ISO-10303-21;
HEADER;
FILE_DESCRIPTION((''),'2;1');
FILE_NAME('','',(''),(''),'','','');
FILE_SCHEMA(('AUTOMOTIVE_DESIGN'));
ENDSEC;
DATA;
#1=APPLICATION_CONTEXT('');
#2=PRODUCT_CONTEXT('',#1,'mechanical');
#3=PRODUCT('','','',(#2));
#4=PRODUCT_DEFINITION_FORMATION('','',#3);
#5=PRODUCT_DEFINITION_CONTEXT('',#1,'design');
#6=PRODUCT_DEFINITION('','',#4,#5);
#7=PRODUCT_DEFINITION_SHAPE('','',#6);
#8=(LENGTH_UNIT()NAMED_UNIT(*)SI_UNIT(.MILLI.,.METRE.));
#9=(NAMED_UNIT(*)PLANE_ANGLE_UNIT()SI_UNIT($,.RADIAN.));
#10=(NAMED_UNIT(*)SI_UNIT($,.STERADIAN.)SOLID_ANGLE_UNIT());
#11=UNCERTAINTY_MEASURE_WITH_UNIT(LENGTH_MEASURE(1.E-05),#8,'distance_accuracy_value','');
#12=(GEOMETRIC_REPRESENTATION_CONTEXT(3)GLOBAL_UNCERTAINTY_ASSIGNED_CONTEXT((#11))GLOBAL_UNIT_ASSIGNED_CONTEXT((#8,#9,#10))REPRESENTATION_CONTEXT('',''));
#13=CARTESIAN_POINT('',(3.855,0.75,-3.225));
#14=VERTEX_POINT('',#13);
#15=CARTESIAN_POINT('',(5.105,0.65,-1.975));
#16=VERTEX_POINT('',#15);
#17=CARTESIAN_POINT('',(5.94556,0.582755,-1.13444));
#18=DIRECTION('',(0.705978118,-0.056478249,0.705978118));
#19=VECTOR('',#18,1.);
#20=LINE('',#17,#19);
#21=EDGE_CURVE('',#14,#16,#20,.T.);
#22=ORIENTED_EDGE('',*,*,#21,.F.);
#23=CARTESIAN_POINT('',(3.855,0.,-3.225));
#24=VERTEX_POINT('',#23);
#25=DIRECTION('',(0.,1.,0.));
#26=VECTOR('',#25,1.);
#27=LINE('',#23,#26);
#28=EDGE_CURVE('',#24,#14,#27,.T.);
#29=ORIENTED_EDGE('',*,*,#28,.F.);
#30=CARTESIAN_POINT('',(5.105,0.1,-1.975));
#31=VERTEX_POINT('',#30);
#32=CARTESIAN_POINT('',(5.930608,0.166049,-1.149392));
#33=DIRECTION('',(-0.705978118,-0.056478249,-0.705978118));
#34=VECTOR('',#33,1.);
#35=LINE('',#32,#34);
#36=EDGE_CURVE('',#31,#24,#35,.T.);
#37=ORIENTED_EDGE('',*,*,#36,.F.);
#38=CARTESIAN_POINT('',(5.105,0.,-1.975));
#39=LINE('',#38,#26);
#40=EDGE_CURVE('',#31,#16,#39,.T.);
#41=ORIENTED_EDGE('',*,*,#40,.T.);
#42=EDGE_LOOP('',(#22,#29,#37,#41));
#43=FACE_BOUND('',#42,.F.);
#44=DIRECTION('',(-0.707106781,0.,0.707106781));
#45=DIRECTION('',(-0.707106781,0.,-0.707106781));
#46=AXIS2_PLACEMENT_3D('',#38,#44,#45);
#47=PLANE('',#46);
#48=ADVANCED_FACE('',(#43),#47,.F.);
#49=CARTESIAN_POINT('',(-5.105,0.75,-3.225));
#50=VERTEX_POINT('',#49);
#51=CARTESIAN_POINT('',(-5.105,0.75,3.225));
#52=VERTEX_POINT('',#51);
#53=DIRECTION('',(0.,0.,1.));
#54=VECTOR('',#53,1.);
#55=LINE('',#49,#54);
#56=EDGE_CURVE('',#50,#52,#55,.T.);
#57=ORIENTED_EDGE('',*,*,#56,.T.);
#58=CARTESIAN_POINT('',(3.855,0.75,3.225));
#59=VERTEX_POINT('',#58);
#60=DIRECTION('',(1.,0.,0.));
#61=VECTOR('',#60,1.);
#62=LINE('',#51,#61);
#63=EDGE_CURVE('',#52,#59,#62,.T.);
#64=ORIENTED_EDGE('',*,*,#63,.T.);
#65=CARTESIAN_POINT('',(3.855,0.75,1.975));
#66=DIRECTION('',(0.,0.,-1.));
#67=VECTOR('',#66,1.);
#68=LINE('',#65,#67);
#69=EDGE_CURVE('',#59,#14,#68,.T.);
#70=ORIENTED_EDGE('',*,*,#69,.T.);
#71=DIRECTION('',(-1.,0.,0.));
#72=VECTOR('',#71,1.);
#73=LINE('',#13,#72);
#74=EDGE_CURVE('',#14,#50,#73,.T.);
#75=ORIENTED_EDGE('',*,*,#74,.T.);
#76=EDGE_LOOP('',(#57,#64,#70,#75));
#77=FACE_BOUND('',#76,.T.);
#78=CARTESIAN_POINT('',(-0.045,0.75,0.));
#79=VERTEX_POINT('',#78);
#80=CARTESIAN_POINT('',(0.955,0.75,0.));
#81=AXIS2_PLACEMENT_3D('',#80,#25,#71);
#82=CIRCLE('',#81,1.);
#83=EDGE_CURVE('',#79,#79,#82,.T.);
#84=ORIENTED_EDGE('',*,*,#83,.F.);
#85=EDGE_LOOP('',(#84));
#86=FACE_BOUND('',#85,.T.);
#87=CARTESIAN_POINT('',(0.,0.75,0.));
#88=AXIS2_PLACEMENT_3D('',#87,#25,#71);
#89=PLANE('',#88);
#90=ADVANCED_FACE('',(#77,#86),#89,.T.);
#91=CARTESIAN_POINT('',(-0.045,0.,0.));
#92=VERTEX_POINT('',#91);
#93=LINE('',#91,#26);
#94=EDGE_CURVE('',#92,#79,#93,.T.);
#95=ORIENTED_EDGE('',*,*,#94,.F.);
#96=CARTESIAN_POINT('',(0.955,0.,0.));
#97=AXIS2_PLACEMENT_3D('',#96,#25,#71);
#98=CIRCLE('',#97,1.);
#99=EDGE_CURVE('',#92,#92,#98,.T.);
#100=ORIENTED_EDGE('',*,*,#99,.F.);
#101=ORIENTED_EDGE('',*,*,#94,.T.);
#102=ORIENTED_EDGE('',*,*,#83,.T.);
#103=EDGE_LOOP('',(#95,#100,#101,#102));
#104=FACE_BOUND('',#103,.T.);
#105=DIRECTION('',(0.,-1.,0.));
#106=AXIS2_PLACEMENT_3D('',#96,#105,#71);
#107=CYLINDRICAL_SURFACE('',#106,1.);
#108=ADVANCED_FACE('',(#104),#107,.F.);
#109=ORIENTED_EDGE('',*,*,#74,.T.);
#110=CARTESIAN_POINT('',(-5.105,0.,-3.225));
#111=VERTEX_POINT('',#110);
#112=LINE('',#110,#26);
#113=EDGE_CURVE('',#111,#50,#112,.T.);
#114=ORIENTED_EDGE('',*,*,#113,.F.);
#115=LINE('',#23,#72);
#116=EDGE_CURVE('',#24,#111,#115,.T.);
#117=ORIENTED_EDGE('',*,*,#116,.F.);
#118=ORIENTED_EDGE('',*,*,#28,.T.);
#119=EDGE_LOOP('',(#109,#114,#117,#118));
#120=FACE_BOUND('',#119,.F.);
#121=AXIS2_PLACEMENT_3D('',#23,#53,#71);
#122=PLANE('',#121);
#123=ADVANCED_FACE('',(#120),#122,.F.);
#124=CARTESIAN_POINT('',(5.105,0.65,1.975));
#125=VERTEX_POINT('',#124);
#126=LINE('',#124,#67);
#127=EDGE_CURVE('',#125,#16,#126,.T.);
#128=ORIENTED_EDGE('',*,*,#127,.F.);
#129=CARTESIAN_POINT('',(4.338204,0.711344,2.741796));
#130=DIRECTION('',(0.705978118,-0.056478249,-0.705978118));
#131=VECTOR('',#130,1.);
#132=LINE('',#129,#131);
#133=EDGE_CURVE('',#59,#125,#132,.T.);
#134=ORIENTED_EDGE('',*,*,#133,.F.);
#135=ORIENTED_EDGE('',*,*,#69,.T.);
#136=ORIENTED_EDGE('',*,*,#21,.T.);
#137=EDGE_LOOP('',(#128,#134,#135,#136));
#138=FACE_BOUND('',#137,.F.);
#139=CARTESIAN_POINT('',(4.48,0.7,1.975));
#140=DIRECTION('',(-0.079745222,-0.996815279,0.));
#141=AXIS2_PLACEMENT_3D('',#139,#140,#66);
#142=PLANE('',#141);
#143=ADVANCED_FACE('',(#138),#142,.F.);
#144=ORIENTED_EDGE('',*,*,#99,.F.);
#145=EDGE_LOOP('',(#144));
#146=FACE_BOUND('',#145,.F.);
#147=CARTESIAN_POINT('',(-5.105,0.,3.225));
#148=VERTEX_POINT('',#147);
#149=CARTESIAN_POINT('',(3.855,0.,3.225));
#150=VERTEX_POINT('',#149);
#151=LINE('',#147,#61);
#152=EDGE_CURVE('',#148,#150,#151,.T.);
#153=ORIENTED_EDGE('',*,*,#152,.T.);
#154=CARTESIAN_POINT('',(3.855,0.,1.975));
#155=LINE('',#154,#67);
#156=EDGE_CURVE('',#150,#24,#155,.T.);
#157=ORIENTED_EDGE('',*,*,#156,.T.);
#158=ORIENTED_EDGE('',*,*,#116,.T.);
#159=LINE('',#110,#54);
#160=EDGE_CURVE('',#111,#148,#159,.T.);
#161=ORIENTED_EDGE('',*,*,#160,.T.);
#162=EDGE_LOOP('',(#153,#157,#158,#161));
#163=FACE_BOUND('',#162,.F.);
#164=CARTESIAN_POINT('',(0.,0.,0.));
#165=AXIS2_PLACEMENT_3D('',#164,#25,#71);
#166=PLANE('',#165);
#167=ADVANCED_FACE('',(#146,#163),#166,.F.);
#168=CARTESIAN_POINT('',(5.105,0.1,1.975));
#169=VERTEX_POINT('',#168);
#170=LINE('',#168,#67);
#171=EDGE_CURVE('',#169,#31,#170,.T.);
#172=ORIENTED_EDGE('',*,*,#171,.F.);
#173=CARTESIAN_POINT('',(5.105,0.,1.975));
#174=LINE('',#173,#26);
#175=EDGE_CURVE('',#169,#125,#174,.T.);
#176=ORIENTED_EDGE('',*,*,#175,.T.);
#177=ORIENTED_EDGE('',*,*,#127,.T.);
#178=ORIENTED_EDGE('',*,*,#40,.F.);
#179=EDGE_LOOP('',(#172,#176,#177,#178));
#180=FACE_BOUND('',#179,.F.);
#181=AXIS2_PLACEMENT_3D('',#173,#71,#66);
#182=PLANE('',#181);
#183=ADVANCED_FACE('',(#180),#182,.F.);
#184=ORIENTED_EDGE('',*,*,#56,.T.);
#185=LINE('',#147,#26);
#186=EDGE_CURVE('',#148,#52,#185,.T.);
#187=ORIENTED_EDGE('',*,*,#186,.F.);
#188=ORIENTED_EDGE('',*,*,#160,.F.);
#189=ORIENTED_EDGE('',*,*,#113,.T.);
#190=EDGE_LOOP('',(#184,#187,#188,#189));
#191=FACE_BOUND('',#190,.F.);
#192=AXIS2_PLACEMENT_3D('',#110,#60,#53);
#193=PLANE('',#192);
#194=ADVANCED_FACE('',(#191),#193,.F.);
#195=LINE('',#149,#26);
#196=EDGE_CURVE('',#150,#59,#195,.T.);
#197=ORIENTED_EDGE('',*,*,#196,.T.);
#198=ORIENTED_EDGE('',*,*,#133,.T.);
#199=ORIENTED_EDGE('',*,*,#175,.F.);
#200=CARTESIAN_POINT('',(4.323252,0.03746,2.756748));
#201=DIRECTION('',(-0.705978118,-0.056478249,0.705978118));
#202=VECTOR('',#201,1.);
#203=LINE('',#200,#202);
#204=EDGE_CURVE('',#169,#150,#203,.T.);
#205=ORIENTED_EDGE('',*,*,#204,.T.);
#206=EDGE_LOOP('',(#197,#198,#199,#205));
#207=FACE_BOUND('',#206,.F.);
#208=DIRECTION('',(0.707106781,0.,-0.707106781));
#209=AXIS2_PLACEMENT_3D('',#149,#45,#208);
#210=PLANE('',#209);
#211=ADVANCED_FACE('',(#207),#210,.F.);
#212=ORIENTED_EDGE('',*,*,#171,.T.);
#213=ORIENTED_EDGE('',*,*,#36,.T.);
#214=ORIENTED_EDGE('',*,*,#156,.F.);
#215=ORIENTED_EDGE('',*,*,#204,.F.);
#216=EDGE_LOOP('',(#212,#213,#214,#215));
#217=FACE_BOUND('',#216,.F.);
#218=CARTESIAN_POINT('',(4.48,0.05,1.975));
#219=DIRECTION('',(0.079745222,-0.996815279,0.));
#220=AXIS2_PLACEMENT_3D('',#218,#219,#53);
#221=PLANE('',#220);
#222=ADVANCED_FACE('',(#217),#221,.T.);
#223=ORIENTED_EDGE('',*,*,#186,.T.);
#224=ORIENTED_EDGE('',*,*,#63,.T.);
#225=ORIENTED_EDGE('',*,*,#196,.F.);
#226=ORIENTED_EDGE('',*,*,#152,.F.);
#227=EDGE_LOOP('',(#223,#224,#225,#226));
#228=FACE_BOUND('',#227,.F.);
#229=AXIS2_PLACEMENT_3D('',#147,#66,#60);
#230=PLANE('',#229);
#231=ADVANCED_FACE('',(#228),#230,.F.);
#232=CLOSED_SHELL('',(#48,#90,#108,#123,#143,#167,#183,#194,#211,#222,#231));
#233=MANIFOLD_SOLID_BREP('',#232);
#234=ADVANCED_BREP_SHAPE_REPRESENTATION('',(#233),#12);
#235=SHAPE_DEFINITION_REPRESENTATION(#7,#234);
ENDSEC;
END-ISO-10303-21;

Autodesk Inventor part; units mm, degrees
ref_plane "YZ Plane" through (0, 0, 0) normal (1, 0, 0) x (0, 1, 0)
ref_plane "XZ Plane" through (0, 0, 0) normal (0, 1, 0) x (-1, 0, 0)
ref_plane "XY Plane" through (0, 0, 0) normal (0, 0, 1) x (1, 0, 0)
sketch "Sketch1" plane through (0, 0, 0) normal (0, 1, 0) x (-1, 0, 0)
  line L0 (5.105, 3.225) -> (-3.855, 3.225)
  line L1 (-5.105, 1.975) -> (-5.105, -1.975)
  line L2 (-3.855, -3.225) -> (5.105, -3.225)
  line L3 (5.105, -3.225) -> (5.105, 3.225)
  line L4 (5.105, 0) -> (-5.105, 0) construction
  line L5 (-3.855, 3.225) -> (-5.105, 1.975)
  line L6 (-5.105, -1.975) -> (-3.855, -3.225)
  line L7 (-4.48, 2.6) -> (-1.88, 0) construction
  line L8 (-4.48, -2.6) -> (-1.88, 0) construction
  circle A0 centre (-0.955, 0) radius 1
  point P0 (0, 0)
  point P1 (0, 0)
  dimension "d0" = 6.45
  dimension "d1" = 10.21
  dimension "d2" = 1.25
  dimension "d3" = 2
  dimension "d4" = 3.15
extrude "Extrusion1" add sketch "Sketch1" along normal blind 0.75
chamfer "Chamfer1" distance 1.25 distance2 0.1 1 edges at (5.105, 0.75, 0) measured on face at (-3.4183, 0.75, 0)
chamfer "Chamfer2" distance 0.1 distance2 1.25 1 edges at (5.105, 0, 0) measured on face at (5.105, 0.2167, 0.6583)
properties part number "Toggle_Pin_Brass" material "Brass, Soft Yellow"
